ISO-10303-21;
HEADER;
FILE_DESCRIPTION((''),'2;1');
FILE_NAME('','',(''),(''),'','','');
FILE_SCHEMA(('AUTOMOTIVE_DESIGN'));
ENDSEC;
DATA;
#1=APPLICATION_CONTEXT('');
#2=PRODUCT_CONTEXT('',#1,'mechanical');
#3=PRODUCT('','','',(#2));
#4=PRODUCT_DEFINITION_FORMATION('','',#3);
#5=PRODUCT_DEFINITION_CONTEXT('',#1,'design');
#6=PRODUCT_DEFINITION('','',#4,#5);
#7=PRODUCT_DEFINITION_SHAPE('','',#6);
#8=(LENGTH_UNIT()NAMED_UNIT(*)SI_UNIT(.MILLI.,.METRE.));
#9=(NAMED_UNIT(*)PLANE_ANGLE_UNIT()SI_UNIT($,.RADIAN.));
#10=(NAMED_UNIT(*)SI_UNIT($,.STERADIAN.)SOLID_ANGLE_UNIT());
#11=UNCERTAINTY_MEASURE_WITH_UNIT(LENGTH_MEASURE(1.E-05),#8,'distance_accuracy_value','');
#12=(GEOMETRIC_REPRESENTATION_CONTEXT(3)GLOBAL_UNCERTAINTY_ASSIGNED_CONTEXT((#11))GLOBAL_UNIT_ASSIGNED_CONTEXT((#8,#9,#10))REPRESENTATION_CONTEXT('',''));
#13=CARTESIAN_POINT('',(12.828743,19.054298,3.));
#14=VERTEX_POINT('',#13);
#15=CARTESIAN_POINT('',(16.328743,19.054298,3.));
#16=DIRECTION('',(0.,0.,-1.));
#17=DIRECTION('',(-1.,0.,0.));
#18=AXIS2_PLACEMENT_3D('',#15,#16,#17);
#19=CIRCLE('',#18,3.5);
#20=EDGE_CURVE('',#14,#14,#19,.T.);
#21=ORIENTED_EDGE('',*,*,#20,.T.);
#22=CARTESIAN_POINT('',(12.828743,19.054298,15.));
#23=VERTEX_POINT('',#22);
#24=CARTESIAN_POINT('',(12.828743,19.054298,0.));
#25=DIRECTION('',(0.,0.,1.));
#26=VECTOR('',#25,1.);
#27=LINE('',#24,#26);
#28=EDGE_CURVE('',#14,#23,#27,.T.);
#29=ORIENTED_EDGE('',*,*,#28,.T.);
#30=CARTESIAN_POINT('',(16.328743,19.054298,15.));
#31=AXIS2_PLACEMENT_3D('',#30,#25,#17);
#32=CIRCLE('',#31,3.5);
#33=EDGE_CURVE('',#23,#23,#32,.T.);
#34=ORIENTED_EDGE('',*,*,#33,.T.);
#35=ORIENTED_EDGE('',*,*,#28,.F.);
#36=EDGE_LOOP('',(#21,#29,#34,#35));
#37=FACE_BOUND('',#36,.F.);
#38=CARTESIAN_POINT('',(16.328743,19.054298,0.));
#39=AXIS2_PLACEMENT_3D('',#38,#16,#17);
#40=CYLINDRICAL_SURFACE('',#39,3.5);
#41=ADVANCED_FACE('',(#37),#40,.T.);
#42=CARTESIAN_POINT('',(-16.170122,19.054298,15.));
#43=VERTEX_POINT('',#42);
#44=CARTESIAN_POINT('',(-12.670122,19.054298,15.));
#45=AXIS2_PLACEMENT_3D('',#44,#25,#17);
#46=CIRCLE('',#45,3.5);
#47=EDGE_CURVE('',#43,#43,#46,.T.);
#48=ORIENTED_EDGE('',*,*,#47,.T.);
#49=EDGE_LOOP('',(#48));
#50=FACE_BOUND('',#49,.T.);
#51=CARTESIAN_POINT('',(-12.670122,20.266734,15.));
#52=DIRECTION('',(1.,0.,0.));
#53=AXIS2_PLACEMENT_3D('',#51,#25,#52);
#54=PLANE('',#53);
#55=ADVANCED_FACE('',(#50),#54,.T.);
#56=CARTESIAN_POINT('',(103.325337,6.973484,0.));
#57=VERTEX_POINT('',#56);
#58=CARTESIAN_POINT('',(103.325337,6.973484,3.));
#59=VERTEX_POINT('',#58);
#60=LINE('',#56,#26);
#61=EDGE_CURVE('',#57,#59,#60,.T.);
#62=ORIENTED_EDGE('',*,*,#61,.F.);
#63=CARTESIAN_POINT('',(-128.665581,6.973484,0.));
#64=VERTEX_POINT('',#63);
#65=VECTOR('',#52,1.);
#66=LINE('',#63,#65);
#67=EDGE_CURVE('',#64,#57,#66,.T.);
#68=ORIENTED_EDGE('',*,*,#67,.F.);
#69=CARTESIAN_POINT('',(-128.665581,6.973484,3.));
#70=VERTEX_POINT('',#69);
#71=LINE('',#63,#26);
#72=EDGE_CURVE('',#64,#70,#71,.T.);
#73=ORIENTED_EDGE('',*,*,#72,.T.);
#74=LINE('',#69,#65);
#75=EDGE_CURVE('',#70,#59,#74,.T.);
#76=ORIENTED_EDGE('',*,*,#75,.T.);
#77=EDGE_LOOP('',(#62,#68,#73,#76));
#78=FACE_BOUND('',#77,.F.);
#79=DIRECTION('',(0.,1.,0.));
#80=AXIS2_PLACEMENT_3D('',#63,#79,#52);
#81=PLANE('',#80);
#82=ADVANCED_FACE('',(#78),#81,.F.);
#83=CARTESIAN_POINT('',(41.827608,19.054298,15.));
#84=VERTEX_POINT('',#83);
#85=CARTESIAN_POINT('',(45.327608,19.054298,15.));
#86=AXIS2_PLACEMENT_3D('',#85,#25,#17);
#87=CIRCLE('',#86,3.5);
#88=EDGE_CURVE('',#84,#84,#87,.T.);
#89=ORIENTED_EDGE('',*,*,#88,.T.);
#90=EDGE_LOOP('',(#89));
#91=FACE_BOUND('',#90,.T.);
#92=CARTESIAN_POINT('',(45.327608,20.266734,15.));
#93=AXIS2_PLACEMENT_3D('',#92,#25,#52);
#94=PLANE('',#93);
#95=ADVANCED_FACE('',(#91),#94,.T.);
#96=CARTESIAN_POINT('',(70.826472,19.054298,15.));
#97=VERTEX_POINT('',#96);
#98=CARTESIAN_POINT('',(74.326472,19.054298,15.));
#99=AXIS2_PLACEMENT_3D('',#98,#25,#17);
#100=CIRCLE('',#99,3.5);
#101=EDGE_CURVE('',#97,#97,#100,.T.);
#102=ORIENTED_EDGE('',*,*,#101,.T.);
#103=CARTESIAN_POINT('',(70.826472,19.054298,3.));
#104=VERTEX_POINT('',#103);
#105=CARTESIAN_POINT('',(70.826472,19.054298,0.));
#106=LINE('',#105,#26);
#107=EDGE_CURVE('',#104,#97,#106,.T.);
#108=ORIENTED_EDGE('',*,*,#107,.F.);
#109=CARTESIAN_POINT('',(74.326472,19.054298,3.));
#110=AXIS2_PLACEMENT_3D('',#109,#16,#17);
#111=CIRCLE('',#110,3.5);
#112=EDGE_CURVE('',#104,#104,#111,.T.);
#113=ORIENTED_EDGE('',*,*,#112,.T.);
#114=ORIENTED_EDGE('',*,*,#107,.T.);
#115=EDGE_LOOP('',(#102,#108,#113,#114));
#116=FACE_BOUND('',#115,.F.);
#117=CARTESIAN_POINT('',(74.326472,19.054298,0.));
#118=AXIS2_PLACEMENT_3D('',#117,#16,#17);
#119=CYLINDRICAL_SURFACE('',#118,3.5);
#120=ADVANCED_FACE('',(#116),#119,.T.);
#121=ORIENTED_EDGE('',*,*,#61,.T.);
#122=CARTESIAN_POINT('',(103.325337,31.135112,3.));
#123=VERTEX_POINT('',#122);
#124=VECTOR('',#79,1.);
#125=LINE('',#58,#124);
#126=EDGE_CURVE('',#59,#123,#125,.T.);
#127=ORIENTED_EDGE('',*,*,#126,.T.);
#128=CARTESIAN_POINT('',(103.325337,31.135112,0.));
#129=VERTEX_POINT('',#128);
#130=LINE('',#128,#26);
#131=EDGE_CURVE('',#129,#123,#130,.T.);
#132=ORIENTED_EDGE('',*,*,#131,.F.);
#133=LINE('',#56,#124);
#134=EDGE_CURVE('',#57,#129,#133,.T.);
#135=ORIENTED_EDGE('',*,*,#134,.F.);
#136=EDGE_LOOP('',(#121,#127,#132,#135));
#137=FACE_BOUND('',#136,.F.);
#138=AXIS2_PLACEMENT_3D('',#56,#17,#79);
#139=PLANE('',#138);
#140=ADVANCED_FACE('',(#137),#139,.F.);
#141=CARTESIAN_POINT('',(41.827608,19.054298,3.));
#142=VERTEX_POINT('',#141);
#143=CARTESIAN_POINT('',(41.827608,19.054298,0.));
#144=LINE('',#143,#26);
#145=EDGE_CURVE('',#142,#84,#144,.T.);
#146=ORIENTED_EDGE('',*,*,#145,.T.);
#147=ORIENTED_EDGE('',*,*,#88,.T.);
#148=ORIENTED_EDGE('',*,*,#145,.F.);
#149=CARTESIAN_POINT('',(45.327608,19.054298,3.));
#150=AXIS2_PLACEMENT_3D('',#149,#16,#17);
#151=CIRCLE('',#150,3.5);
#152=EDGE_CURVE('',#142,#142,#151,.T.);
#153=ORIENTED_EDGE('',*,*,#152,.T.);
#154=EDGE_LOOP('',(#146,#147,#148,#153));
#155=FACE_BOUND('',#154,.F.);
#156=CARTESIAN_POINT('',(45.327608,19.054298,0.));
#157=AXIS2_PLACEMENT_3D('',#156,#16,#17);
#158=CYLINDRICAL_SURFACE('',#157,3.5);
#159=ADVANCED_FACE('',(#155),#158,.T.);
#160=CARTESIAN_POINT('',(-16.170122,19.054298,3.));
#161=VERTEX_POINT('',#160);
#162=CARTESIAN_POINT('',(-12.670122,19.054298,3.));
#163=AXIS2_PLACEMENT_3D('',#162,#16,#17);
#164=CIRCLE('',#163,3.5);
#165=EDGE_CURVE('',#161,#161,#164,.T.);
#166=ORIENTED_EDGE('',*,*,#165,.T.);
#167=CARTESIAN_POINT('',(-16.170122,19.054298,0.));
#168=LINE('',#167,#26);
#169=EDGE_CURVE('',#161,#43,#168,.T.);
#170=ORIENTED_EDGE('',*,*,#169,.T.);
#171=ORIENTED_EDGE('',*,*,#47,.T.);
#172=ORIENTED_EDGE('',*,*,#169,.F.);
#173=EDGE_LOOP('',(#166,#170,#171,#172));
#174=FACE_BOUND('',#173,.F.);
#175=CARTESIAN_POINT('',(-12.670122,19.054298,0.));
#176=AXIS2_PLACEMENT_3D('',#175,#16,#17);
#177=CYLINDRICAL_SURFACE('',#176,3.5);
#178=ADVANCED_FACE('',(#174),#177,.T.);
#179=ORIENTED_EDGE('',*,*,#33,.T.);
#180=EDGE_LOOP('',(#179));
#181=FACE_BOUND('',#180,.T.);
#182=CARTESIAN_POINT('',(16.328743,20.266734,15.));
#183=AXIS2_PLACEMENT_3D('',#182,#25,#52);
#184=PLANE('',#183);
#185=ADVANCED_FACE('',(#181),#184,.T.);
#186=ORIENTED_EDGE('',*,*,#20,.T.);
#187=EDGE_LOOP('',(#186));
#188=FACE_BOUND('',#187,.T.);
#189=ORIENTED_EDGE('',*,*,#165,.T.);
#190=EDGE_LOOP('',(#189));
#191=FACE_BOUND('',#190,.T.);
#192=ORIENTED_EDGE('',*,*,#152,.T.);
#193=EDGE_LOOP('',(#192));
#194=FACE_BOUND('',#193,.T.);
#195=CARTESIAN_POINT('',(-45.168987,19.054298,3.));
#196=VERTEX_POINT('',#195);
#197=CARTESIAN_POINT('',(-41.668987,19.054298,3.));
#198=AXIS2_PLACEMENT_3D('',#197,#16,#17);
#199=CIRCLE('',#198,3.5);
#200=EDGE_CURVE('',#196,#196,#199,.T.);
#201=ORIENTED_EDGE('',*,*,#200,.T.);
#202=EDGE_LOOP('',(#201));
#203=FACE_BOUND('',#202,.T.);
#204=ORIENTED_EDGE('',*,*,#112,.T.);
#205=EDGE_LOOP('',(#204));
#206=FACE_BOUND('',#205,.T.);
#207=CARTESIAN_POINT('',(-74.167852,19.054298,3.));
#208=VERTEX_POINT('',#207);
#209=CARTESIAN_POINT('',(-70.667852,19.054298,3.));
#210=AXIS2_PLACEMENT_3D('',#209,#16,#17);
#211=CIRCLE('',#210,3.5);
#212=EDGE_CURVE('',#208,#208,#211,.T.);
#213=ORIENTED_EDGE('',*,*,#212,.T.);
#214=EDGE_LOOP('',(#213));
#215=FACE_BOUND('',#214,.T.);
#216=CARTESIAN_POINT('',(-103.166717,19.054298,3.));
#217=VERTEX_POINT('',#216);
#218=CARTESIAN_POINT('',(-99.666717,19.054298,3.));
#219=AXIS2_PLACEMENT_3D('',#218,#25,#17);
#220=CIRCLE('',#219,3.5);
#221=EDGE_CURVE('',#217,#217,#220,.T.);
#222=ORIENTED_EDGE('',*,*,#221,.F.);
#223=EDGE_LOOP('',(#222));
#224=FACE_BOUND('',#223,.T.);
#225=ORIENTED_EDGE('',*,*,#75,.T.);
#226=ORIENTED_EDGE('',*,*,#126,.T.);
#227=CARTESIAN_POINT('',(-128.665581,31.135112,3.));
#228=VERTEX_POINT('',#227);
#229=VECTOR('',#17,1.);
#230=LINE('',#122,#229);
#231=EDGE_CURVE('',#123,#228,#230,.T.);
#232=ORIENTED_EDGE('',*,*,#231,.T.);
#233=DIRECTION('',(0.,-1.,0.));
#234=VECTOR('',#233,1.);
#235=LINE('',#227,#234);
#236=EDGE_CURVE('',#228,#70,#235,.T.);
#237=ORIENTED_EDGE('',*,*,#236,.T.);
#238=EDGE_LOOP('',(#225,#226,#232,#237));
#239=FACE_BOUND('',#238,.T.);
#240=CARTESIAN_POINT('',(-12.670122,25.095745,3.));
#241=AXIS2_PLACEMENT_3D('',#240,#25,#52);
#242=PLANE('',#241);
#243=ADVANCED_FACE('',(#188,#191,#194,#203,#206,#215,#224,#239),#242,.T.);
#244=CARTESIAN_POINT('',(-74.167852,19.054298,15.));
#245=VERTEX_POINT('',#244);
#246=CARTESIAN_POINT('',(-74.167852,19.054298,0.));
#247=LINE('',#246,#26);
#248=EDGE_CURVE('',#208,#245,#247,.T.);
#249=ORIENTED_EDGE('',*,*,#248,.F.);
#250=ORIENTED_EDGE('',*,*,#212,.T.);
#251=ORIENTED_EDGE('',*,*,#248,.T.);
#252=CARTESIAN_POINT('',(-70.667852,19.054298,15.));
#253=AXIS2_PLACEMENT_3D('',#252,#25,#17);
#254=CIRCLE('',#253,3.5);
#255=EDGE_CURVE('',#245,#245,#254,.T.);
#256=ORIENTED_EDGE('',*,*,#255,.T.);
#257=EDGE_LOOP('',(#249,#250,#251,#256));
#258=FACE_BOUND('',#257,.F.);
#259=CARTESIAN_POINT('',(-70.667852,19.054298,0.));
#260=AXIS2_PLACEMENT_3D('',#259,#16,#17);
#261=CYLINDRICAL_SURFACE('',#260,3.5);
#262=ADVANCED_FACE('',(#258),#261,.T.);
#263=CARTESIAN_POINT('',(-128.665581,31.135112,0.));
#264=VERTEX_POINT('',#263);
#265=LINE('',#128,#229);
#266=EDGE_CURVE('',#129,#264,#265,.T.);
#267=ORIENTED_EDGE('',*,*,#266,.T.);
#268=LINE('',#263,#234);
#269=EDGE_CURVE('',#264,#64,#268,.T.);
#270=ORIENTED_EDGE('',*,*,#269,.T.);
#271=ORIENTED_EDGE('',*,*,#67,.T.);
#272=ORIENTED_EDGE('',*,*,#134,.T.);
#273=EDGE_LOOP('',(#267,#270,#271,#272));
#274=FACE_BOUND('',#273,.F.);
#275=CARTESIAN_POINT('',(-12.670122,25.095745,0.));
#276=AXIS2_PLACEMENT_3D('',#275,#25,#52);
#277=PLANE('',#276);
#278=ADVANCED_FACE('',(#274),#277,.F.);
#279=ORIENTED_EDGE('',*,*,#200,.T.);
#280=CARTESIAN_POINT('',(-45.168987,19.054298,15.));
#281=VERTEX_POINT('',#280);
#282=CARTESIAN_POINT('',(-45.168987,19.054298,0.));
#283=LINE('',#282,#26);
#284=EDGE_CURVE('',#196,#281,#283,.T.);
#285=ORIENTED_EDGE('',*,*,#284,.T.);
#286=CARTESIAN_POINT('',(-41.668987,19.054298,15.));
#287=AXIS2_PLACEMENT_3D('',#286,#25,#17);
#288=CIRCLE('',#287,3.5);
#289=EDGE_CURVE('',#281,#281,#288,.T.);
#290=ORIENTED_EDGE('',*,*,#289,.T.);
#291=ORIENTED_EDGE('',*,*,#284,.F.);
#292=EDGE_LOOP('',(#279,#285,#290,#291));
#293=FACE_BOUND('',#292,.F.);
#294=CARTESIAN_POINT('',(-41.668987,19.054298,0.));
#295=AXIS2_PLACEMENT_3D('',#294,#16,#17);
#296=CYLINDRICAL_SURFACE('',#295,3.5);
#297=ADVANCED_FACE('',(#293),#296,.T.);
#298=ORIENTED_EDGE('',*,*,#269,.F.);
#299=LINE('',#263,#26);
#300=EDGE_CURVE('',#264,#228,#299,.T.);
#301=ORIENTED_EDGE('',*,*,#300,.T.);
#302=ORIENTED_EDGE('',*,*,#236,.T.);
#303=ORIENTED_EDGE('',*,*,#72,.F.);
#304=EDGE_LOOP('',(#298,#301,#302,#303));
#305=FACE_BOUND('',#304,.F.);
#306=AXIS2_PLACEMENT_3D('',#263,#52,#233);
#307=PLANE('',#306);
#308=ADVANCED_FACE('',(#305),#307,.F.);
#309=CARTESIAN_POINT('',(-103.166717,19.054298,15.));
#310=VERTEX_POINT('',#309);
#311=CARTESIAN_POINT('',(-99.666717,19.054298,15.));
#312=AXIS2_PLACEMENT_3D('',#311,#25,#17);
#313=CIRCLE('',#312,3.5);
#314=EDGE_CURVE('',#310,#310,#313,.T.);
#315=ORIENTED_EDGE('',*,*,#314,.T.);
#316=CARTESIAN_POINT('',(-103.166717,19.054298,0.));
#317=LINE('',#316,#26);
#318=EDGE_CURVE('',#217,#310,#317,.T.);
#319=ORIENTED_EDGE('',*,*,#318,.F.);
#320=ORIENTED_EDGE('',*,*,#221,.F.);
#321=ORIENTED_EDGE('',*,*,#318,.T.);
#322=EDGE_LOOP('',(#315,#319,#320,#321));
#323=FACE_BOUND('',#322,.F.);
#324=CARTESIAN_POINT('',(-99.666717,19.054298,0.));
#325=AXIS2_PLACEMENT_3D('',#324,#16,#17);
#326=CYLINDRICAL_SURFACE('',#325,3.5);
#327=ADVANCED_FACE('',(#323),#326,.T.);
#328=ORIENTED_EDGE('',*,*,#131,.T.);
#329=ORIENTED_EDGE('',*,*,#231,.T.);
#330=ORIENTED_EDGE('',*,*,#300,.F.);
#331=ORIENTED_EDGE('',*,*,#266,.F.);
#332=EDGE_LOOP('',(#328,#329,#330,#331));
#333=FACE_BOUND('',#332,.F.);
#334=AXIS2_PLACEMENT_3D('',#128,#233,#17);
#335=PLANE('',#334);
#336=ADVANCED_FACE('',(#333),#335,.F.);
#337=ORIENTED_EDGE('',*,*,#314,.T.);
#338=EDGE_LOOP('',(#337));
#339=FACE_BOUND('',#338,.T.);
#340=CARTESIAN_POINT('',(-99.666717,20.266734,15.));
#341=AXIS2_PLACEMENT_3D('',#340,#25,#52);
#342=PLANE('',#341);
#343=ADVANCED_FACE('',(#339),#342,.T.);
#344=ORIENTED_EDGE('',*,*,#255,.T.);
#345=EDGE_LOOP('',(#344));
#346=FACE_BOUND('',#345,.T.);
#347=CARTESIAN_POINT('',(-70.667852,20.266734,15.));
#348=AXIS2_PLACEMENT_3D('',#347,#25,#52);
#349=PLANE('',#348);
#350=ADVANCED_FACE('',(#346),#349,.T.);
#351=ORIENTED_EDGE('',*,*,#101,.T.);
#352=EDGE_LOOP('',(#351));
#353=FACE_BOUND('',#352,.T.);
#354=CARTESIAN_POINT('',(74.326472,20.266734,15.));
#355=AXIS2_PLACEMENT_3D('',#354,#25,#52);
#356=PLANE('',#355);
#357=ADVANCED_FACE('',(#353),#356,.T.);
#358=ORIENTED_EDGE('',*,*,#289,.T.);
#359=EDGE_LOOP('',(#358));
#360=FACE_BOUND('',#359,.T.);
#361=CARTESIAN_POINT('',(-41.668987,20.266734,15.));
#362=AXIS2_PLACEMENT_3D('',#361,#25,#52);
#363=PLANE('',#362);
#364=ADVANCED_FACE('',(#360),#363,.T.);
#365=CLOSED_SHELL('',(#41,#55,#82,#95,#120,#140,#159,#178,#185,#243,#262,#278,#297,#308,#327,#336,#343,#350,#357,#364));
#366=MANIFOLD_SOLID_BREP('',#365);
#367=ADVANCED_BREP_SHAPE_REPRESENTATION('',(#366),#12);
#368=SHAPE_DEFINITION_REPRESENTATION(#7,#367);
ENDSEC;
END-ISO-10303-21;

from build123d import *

# Parameters (mm, degrees)
F1_DEPTH = 3
F2_DEPTH = 15


with BuildPart() as f1:
    # F0 (on Top) → F1 (new body)
    with BuildSketch(Plane.XY):
        with BuildLine():
            Line((103.325337, 31.135112), (-128.665581, 31.135112))
            Line((-128.665581, 31.135112), (-128.665581, 19.054298))
            Line((-128.665581, 19.054298), (-103.166717, 19.054298))
            ThreePointArc((-103.166717, 19.054298), (-99.666717, 22.554298), (-96.166717, 19.054298))
            Line((-96.166717, 19.054298), (-74.167852, 19.054298))
            ThreePointArc((-74.167852, 19.054298), (-70.667852, 22.554298), (-67.167852, 19.054298))
            Line((-67.167852, 19.054298), (-45.168987, 19.054298))
            ThreePointArc((-45.168987, 19.054298), (-41.668987, 22.554298), (-38.168987, 19.054298))
            Line((-38.168987, 19.054298), (-16.170122, 19.054298))
            ThreePointArc((-16.170122, 19.054298), (-12.670122, 22.554298), (-9.170122, 19.054298))
            Line((-9.170122, 19.054298), (12.828743, 19.054298))
            ThreePointArc((12.828743, 19.054298), (16.328743, 22.554298), (19.828743, 19.054298))
            Line((19.828743, 19.054298), (41.827608, 19.054298))
            ThreePointArc((41.827608, 19.054298), (45.327608, 22.554298), (48.827608, 19.054298))
            Line((48.827608, 19.054298), (70.826472, 19.054298))
            ThreePointArc((70.826472, 19.054298), (74.326472, 22.554298), (77.826472, 19.054298))
            Line((77.826472, 19.054298), (103.325337, 19.054298))
            Line((103.325337, 19.054298), (103.325337, 31.135112))
        make_face()
        with BuildLine():
            Line((-103.166717, 19.054298), (-128.665581, 19.054298))
            Line((-128.665581, 19.054298), (-128.665581, 6.973484))
            Line((-128.665581, 6.973484), (103.325337, 6.973484))
            Line((103.325337, 6.973484), (103.325337, 19.054298))
            Line((103.325337, 19.054298), (77.826472, 19.054298))
            ThreePointArc((77.826472, 19.054298), (74.326472, 15.554298), (70.826472, 19.054298))
            Line((70.826472, 19.054298), (48.827608, 19.054298))
            ThreePointArc((48.827608, 19.054298), (45.327608, 15.554298), (41.827608, 19.054298))
            Line((41.827608, 19.054298), (19.828743, 19.054298))
            ThreePointArc((19.828743, 19.054298), (16.328743, 15.554298), (12.828743, 19.054298))
            Line((12.828743, 19.054298), (-9.170122, 19.054298))
            ThreePointArc((-9.170122, 19.054298), (-12.670122, 15.554298), (-16.170122, 19.054298))
            Line((-16.170122, 19.054298), (-38.168987, 19.054298))
            ThreePointArc((-38.168987, 19.054298), (-41.668987, 15.554298), (-45.168987, 19.054298))
            Line((-45.168987, 19.054298), (-67.167852, 19.054298))
            ThreePointArc((-67.167852, 19.054298), (-70.667852, 15.554298), (-74.167852, 19.054298))
            Line((-74.167852, 19.054298), (-96.166717, 19.054298))
            ThreePointArc((-96.166717, 19.054298), (-99.666717, 15.554298), (-103.166717, 19.054298))
        make_face()
    extrude(amount=F1_DEPTH)

    # F0 (on Top) → F2 (join)
    with BuildSketch(Plane.XY):
        with BuildLine():
            ThreePointArc((-96.166717, 19.054298), (-99.666717, 22.554298), (-103.166717, 19.054298))
            Line((-103.166717, 19.054298), (-99.666717, 19.054298))
            Line((-99.666717, 19.054298), (-96.166717, 19.054298))
        make_face()
        with BuildLine():
            Line((-99.666717, 19.054298), (-103.166717, 19.054298))
            ThreePointArc((-103.166717, 19.054298), (-99.666717, 15.554298), (-96.166717, 19.054298))
            Line((-96.166717, 19.054298), (-99.666717, 19.054298))
        make_face()
        with BuildLine():
            ThreePointArc((-67.167852, 19.054298), (-70.667852, 22.554298), (-74.167852, 19.054298))
            Line((-74.167852, 19.054298), (-70.667852, 19.054298))
            Line((-70.667852, 19.054298), (-67.167852, 19.054298))
        make_face()
        with BuildLine():
            Line((-70.667852, 19.054298), (-74.167852, 19.054298))
            ThreePointArc((-74.167852, 19.054298), (-70.667852, 15.554298), (-67.167852, 19.054298))
            Line((-67.167852, 19.054298), (-70.667852, 19.054298))
        make_face()
        with BuildLine():
            ThreePointArc((-38.168987, 19.054298), (-41.668987, 22.554298), (-45.168987, 19.054298))
            Line((-45.168987, 19.054298), (-41.668987, 19.054298))
            Line((-41.668987, 19.054298), (-38.168987, 19.054298))
        make_face()
        with BuildLine():
            Line((-41.668987, 19.054298), (-45.168987, 19.054298))
            ThreePointArc((-45.168987, 19.054298), (-41.668987, 15.554298), (-38.168987, 19.054298))
            Line((-38.168987, 19.054298), (-41.668987, 19.054298))
        make_face()
        with BuildLine():
            ThreePointArc((-9.170122, 19.054298), (-12.670122, 22.554298), (-16.170122, 19.054298))
            Line((-16.170122, 19.054298), (-12.670122, 19.054298))
            Line((-12.670122, 19.054298), (-9.170122, 19.054298))
        make_face()
        with BuildLine():
            Line((-12.670122, 19.054298), (-16.170122, 19.054298))
            ThreePointArc((-16.170122, 19.054298), (-12.670122, 15.554298), (-9.170122, 19.054298))
            Line((-9.170122, 19.054298), (-12.670122, 19.054298))
        make_face()
        with BuildLine():
            Line((16.328743, 19.054298), (19.828743, 19.054298))
            ThreePointArc((19.828743, 19.054298), (16.328743, 22.554298), (12.828743, 19.054298))
            Line((12.828743, 19.054298), (16.328743, 19.054298))
        make_face()
        with BuildLine():
            ThreePointArc((12.828743, 19.054298), (16.328743, 15.554298), (19.828743, 19.054298))
            Line((19.828743, 19.054298), (16.328743, 19.054298))
            Line((16.328743, 19.054298), (12.828743, 19.054298))
        make_face()
        with BuildLine():
            Line((45.327608, 19.054298), (48.827608, 19.054298))
            ThreePointArc((48.827608, 19.054298), (45.327608, 22.554298), (41.827608, 19.054298))
            Line((41.827608, 19.054298), (45.327608, 19.054298))
        make_face()
        with BuildLine():
            ThreePointArc((41.827608, 19.054298), (45.327608, 15.554298), (48.827608, 19.054298))
            Line((48.827608, 19.054298), (45.327608, 19.054298))
            Line((45.327608, 19.054298), (41.827608, 19.054298))
        make_face()
        with BuildLine():
            Line((74.326472, 19.054298), (77.826472, 19.054298))
            ThreePointArc((77.826472, 19.054298), (74.326472, 22.554298), (70.826472, 19.054298))
            Line((70.826472, 19.054298), (74.326472, 19.054298))
        make_face()
        with BuildLine():
            ThreePointArc((70.826472, 19.054298), (74.326472, 15.554298), (77.826472, 19.054298))
            Line((77.826472, 19.054298), (74.326472, 19.054298))
            Line((74.326472, 19.054298), (70.826472, 19.054298))
        make_face()
    extrude(amount=F2_DEPTH)


solid = f1.part
